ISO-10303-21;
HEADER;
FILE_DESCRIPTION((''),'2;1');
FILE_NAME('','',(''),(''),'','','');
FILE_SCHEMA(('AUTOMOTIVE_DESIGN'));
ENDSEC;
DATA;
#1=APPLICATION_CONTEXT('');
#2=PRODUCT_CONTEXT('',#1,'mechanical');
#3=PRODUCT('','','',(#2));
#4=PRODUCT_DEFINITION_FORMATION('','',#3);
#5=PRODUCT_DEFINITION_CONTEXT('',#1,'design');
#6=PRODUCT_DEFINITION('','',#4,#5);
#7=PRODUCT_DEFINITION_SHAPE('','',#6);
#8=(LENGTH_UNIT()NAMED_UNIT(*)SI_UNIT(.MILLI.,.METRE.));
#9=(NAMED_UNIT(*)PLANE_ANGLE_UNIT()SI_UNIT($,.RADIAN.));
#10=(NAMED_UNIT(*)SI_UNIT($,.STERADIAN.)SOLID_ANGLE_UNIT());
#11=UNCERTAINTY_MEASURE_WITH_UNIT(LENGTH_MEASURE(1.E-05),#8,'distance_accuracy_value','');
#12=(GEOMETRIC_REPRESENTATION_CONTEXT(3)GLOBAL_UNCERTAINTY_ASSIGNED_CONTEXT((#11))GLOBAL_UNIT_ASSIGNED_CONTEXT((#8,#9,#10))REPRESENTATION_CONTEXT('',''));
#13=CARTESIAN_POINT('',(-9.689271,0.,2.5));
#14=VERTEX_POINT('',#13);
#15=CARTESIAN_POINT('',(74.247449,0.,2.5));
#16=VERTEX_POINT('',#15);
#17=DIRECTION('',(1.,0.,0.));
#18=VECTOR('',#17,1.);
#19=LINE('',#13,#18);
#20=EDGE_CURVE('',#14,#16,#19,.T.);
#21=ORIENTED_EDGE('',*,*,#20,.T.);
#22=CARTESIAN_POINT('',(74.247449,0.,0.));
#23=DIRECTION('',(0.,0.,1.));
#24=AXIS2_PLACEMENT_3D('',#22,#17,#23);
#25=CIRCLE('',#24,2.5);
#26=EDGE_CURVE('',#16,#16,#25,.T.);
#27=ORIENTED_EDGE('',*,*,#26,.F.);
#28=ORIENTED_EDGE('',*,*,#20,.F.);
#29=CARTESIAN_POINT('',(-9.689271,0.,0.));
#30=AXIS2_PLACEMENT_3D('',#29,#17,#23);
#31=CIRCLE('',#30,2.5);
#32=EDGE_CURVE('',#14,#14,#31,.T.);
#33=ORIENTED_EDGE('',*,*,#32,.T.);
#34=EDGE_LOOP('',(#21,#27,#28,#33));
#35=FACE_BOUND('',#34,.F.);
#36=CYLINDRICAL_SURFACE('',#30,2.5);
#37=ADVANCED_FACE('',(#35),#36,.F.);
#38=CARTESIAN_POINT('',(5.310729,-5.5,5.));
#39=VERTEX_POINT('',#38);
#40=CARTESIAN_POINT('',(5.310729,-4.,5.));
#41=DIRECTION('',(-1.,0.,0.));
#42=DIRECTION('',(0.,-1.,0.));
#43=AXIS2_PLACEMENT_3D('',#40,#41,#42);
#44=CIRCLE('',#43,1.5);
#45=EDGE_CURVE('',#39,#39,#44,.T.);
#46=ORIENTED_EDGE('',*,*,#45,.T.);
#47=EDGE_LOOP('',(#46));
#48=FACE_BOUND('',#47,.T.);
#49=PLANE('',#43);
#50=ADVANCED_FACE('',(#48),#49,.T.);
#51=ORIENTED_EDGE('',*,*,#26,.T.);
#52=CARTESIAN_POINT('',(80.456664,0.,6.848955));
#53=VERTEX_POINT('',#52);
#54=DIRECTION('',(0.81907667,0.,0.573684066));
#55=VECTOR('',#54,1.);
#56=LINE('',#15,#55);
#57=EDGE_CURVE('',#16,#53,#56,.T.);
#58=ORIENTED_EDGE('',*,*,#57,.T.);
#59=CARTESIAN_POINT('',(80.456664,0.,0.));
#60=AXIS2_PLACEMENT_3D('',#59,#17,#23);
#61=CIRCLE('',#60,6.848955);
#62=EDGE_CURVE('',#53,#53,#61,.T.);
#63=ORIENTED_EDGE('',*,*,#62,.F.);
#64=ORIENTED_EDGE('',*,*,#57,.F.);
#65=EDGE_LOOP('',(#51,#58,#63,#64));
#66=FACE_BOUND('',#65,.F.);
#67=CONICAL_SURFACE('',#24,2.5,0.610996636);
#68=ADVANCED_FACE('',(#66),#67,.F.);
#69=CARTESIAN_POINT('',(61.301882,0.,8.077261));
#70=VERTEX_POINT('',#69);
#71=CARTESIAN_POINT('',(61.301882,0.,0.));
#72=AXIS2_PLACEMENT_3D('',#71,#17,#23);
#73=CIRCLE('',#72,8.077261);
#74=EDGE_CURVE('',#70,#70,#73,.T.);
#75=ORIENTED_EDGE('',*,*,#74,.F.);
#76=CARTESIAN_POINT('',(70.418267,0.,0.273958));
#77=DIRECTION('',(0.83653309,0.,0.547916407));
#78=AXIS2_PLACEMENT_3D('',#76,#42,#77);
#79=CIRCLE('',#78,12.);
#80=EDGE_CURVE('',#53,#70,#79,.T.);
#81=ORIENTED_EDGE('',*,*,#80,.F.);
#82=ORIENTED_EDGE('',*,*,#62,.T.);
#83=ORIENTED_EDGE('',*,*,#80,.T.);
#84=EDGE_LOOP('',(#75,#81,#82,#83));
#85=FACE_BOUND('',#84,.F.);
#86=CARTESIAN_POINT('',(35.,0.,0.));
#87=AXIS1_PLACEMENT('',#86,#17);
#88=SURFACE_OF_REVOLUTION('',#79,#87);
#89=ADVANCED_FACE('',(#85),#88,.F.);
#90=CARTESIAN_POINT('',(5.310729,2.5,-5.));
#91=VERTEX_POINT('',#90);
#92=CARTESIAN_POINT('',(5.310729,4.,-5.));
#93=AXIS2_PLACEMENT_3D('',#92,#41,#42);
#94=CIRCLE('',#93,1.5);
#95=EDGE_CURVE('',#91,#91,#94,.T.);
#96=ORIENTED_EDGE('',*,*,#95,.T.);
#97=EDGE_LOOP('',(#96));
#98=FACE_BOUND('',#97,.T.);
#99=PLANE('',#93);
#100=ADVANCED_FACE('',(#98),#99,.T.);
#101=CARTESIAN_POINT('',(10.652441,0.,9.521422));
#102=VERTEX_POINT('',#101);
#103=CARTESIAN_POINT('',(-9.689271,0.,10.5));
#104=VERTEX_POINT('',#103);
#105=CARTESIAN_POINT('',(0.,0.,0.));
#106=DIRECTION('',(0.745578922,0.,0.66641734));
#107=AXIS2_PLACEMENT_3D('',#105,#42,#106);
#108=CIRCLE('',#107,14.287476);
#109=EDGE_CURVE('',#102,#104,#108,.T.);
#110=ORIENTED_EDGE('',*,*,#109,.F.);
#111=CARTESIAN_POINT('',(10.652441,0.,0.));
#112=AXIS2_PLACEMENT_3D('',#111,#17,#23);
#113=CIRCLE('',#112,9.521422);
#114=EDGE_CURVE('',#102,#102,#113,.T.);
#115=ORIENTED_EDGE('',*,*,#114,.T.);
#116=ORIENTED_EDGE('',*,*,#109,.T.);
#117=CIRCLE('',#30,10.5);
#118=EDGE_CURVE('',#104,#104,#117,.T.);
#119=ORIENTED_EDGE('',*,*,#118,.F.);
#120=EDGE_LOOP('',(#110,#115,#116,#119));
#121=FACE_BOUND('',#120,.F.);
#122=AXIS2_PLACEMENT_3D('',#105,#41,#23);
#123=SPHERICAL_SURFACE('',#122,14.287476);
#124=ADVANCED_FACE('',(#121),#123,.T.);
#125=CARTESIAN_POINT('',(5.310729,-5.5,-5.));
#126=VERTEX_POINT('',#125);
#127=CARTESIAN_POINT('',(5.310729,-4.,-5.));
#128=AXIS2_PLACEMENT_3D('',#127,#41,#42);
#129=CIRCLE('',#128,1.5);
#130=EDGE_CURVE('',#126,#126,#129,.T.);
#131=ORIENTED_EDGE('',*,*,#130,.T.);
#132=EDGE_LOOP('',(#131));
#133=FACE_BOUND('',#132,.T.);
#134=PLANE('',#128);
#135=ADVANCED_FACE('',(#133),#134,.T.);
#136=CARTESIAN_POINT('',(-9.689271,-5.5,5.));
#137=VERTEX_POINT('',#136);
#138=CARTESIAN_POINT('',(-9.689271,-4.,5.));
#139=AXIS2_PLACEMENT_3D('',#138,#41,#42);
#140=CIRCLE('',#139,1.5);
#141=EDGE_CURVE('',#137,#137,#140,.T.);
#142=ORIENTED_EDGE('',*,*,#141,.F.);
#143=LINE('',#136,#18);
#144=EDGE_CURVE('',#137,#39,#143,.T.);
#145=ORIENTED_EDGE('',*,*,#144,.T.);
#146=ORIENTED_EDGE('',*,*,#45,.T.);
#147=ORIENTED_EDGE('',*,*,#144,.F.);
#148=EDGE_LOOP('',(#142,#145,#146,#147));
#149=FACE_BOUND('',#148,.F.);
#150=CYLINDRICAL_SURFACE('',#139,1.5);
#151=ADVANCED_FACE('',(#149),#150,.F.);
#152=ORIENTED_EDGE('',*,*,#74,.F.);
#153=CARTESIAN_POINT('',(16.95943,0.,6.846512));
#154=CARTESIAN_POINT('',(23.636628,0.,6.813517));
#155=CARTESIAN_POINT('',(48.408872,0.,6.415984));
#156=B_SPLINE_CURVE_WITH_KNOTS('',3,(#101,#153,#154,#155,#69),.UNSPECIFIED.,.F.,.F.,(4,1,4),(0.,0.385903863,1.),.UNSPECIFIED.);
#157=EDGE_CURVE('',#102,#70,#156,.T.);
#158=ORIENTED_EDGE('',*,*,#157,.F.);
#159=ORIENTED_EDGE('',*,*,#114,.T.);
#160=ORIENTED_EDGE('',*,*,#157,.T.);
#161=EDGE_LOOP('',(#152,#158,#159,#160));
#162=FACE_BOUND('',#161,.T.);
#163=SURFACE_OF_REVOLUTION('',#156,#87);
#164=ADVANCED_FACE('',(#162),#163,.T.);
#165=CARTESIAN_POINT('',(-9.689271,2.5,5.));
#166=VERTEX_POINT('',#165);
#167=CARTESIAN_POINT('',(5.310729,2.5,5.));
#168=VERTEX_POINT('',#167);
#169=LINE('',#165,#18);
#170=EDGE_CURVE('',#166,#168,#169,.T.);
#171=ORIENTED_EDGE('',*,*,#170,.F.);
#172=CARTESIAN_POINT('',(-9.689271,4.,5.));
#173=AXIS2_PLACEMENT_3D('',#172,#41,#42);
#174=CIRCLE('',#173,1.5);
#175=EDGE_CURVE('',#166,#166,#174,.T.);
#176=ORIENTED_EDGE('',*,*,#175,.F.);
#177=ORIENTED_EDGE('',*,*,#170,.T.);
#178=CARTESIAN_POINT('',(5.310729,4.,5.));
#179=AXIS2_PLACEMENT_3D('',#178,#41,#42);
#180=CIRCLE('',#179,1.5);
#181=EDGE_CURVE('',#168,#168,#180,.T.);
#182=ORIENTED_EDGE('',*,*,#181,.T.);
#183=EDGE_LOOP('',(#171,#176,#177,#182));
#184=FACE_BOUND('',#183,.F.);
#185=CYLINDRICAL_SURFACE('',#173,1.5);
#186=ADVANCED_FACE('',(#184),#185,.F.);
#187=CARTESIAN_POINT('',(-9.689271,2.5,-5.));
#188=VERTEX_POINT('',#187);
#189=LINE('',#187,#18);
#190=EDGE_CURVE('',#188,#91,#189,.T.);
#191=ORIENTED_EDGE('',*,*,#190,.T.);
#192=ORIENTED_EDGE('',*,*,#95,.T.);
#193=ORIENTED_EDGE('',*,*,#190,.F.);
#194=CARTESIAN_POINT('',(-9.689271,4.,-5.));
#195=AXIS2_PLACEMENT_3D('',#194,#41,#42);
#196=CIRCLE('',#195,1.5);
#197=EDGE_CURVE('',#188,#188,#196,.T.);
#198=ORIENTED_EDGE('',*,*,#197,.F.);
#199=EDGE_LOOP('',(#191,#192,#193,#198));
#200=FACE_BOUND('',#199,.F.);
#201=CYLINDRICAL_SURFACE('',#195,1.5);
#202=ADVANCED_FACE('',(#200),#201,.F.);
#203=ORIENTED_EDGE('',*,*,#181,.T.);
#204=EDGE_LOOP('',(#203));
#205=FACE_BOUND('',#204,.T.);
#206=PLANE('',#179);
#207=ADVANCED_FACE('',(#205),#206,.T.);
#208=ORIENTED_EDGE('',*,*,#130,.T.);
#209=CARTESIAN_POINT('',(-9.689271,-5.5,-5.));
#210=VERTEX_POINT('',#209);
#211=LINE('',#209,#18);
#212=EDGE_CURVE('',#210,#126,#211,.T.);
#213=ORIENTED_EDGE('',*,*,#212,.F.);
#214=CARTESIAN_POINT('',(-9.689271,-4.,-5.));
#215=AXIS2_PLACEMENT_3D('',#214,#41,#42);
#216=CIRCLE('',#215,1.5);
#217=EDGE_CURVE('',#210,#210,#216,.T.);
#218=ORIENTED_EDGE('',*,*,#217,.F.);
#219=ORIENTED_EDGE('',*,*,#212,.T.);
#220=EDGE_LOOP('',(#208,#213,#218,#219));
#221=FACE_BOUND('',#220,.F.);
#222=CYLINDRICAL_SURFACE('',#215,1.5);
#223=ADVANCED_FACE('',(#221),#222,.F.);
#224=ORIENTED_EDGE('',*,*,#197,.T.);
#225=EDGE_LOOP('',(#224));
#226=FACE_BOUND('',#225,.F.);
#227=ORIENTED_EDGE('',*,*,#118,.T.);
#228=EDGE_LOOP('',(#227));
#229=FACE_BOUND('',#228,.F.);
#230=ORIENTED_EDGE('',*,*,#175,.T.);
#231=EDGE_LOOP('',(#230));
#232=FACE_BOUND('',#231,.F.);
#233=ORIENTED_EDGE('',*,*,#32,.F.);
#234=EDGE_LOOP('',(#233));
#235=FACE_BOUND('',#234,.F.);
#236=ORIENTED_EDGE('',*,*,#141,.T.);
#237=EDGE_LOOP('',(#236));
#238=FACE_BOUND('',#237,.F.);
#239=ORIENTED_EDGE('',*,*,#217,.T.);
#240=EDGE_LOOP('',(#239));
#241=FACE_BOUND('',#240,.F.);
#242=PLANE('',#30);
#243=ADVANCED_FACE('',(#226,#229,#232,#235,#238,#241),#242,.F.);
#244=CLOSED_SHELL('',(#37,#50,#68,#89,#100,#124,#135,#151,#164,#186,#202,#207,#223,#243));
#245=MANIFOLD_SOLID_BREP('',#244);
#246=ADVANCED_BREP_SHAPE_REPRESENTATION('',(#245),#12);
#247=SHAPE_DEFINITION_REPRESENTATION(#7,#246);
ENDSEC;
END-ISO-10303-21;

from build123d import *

# Parameters (mm, degrees)
F2_R     = 1.5
F3_DEPTH = 15


with BuildPart() as f1:
    # F0 (on Front) → F1 (revolve)
    with BuildSketch(Plane.XZ):
        with BuildLine():
            add(Edge.make_bspline(
                [(10.6524407623, 9.5214215845), (16.9594295824, 6.846512057), (23.6366284889, 6.813516644), (48.4088717457, 6.4159839242), (61.3018820008, 8.0772608919)],
                knots=[0, 0, 0, 0, 0.3859038631, 1, 1, 1, 1], degree=3))
            ThreePointArc((10.6524407623, 9.5214215845), (0.6865334357, 14.2709717618), (-9.6892705187, 10.5))
            Line((-9.6892705187, 10.5), (-9.6892705187, 2.5))
            Line((-9.6892705187, 2.5), (12.2474487139, 2.5))
            Line((12.2474487139, 2.5), (74.2474487139, 2.5))
            Line((74.2474487139, 2.5), (80.4566636234, 6.848955093))
            ThreePointArc((80.4566636234, 6.848955093), (71.1861926887, 12.2493617225), (61.3018820008, 8.0772608919))
        make_face()
    revolve(axis=Axis((35, 0, 0), (1, 0, 0)))

    # F2 (on face) → F3 (cut)
    with BuildSketch(Plane(origin=(-9.6892705187, 0, 0), x_dir=(0, -1, 0), z_dir=(-1, 0, 0))):
        with Locations((-4, 5)):
            Circle(F2_R)
        with Locations((4, 5)):
            Circle(F2_R)
        with Locations((4, -5)):
            Circle(F2_R)
        with Locations((-4, -5)):
            Circle(F2_R)
    extrude(amount=-F3_DEPTH, mode=Mode.SUBTRACT)


solid = f1.part
